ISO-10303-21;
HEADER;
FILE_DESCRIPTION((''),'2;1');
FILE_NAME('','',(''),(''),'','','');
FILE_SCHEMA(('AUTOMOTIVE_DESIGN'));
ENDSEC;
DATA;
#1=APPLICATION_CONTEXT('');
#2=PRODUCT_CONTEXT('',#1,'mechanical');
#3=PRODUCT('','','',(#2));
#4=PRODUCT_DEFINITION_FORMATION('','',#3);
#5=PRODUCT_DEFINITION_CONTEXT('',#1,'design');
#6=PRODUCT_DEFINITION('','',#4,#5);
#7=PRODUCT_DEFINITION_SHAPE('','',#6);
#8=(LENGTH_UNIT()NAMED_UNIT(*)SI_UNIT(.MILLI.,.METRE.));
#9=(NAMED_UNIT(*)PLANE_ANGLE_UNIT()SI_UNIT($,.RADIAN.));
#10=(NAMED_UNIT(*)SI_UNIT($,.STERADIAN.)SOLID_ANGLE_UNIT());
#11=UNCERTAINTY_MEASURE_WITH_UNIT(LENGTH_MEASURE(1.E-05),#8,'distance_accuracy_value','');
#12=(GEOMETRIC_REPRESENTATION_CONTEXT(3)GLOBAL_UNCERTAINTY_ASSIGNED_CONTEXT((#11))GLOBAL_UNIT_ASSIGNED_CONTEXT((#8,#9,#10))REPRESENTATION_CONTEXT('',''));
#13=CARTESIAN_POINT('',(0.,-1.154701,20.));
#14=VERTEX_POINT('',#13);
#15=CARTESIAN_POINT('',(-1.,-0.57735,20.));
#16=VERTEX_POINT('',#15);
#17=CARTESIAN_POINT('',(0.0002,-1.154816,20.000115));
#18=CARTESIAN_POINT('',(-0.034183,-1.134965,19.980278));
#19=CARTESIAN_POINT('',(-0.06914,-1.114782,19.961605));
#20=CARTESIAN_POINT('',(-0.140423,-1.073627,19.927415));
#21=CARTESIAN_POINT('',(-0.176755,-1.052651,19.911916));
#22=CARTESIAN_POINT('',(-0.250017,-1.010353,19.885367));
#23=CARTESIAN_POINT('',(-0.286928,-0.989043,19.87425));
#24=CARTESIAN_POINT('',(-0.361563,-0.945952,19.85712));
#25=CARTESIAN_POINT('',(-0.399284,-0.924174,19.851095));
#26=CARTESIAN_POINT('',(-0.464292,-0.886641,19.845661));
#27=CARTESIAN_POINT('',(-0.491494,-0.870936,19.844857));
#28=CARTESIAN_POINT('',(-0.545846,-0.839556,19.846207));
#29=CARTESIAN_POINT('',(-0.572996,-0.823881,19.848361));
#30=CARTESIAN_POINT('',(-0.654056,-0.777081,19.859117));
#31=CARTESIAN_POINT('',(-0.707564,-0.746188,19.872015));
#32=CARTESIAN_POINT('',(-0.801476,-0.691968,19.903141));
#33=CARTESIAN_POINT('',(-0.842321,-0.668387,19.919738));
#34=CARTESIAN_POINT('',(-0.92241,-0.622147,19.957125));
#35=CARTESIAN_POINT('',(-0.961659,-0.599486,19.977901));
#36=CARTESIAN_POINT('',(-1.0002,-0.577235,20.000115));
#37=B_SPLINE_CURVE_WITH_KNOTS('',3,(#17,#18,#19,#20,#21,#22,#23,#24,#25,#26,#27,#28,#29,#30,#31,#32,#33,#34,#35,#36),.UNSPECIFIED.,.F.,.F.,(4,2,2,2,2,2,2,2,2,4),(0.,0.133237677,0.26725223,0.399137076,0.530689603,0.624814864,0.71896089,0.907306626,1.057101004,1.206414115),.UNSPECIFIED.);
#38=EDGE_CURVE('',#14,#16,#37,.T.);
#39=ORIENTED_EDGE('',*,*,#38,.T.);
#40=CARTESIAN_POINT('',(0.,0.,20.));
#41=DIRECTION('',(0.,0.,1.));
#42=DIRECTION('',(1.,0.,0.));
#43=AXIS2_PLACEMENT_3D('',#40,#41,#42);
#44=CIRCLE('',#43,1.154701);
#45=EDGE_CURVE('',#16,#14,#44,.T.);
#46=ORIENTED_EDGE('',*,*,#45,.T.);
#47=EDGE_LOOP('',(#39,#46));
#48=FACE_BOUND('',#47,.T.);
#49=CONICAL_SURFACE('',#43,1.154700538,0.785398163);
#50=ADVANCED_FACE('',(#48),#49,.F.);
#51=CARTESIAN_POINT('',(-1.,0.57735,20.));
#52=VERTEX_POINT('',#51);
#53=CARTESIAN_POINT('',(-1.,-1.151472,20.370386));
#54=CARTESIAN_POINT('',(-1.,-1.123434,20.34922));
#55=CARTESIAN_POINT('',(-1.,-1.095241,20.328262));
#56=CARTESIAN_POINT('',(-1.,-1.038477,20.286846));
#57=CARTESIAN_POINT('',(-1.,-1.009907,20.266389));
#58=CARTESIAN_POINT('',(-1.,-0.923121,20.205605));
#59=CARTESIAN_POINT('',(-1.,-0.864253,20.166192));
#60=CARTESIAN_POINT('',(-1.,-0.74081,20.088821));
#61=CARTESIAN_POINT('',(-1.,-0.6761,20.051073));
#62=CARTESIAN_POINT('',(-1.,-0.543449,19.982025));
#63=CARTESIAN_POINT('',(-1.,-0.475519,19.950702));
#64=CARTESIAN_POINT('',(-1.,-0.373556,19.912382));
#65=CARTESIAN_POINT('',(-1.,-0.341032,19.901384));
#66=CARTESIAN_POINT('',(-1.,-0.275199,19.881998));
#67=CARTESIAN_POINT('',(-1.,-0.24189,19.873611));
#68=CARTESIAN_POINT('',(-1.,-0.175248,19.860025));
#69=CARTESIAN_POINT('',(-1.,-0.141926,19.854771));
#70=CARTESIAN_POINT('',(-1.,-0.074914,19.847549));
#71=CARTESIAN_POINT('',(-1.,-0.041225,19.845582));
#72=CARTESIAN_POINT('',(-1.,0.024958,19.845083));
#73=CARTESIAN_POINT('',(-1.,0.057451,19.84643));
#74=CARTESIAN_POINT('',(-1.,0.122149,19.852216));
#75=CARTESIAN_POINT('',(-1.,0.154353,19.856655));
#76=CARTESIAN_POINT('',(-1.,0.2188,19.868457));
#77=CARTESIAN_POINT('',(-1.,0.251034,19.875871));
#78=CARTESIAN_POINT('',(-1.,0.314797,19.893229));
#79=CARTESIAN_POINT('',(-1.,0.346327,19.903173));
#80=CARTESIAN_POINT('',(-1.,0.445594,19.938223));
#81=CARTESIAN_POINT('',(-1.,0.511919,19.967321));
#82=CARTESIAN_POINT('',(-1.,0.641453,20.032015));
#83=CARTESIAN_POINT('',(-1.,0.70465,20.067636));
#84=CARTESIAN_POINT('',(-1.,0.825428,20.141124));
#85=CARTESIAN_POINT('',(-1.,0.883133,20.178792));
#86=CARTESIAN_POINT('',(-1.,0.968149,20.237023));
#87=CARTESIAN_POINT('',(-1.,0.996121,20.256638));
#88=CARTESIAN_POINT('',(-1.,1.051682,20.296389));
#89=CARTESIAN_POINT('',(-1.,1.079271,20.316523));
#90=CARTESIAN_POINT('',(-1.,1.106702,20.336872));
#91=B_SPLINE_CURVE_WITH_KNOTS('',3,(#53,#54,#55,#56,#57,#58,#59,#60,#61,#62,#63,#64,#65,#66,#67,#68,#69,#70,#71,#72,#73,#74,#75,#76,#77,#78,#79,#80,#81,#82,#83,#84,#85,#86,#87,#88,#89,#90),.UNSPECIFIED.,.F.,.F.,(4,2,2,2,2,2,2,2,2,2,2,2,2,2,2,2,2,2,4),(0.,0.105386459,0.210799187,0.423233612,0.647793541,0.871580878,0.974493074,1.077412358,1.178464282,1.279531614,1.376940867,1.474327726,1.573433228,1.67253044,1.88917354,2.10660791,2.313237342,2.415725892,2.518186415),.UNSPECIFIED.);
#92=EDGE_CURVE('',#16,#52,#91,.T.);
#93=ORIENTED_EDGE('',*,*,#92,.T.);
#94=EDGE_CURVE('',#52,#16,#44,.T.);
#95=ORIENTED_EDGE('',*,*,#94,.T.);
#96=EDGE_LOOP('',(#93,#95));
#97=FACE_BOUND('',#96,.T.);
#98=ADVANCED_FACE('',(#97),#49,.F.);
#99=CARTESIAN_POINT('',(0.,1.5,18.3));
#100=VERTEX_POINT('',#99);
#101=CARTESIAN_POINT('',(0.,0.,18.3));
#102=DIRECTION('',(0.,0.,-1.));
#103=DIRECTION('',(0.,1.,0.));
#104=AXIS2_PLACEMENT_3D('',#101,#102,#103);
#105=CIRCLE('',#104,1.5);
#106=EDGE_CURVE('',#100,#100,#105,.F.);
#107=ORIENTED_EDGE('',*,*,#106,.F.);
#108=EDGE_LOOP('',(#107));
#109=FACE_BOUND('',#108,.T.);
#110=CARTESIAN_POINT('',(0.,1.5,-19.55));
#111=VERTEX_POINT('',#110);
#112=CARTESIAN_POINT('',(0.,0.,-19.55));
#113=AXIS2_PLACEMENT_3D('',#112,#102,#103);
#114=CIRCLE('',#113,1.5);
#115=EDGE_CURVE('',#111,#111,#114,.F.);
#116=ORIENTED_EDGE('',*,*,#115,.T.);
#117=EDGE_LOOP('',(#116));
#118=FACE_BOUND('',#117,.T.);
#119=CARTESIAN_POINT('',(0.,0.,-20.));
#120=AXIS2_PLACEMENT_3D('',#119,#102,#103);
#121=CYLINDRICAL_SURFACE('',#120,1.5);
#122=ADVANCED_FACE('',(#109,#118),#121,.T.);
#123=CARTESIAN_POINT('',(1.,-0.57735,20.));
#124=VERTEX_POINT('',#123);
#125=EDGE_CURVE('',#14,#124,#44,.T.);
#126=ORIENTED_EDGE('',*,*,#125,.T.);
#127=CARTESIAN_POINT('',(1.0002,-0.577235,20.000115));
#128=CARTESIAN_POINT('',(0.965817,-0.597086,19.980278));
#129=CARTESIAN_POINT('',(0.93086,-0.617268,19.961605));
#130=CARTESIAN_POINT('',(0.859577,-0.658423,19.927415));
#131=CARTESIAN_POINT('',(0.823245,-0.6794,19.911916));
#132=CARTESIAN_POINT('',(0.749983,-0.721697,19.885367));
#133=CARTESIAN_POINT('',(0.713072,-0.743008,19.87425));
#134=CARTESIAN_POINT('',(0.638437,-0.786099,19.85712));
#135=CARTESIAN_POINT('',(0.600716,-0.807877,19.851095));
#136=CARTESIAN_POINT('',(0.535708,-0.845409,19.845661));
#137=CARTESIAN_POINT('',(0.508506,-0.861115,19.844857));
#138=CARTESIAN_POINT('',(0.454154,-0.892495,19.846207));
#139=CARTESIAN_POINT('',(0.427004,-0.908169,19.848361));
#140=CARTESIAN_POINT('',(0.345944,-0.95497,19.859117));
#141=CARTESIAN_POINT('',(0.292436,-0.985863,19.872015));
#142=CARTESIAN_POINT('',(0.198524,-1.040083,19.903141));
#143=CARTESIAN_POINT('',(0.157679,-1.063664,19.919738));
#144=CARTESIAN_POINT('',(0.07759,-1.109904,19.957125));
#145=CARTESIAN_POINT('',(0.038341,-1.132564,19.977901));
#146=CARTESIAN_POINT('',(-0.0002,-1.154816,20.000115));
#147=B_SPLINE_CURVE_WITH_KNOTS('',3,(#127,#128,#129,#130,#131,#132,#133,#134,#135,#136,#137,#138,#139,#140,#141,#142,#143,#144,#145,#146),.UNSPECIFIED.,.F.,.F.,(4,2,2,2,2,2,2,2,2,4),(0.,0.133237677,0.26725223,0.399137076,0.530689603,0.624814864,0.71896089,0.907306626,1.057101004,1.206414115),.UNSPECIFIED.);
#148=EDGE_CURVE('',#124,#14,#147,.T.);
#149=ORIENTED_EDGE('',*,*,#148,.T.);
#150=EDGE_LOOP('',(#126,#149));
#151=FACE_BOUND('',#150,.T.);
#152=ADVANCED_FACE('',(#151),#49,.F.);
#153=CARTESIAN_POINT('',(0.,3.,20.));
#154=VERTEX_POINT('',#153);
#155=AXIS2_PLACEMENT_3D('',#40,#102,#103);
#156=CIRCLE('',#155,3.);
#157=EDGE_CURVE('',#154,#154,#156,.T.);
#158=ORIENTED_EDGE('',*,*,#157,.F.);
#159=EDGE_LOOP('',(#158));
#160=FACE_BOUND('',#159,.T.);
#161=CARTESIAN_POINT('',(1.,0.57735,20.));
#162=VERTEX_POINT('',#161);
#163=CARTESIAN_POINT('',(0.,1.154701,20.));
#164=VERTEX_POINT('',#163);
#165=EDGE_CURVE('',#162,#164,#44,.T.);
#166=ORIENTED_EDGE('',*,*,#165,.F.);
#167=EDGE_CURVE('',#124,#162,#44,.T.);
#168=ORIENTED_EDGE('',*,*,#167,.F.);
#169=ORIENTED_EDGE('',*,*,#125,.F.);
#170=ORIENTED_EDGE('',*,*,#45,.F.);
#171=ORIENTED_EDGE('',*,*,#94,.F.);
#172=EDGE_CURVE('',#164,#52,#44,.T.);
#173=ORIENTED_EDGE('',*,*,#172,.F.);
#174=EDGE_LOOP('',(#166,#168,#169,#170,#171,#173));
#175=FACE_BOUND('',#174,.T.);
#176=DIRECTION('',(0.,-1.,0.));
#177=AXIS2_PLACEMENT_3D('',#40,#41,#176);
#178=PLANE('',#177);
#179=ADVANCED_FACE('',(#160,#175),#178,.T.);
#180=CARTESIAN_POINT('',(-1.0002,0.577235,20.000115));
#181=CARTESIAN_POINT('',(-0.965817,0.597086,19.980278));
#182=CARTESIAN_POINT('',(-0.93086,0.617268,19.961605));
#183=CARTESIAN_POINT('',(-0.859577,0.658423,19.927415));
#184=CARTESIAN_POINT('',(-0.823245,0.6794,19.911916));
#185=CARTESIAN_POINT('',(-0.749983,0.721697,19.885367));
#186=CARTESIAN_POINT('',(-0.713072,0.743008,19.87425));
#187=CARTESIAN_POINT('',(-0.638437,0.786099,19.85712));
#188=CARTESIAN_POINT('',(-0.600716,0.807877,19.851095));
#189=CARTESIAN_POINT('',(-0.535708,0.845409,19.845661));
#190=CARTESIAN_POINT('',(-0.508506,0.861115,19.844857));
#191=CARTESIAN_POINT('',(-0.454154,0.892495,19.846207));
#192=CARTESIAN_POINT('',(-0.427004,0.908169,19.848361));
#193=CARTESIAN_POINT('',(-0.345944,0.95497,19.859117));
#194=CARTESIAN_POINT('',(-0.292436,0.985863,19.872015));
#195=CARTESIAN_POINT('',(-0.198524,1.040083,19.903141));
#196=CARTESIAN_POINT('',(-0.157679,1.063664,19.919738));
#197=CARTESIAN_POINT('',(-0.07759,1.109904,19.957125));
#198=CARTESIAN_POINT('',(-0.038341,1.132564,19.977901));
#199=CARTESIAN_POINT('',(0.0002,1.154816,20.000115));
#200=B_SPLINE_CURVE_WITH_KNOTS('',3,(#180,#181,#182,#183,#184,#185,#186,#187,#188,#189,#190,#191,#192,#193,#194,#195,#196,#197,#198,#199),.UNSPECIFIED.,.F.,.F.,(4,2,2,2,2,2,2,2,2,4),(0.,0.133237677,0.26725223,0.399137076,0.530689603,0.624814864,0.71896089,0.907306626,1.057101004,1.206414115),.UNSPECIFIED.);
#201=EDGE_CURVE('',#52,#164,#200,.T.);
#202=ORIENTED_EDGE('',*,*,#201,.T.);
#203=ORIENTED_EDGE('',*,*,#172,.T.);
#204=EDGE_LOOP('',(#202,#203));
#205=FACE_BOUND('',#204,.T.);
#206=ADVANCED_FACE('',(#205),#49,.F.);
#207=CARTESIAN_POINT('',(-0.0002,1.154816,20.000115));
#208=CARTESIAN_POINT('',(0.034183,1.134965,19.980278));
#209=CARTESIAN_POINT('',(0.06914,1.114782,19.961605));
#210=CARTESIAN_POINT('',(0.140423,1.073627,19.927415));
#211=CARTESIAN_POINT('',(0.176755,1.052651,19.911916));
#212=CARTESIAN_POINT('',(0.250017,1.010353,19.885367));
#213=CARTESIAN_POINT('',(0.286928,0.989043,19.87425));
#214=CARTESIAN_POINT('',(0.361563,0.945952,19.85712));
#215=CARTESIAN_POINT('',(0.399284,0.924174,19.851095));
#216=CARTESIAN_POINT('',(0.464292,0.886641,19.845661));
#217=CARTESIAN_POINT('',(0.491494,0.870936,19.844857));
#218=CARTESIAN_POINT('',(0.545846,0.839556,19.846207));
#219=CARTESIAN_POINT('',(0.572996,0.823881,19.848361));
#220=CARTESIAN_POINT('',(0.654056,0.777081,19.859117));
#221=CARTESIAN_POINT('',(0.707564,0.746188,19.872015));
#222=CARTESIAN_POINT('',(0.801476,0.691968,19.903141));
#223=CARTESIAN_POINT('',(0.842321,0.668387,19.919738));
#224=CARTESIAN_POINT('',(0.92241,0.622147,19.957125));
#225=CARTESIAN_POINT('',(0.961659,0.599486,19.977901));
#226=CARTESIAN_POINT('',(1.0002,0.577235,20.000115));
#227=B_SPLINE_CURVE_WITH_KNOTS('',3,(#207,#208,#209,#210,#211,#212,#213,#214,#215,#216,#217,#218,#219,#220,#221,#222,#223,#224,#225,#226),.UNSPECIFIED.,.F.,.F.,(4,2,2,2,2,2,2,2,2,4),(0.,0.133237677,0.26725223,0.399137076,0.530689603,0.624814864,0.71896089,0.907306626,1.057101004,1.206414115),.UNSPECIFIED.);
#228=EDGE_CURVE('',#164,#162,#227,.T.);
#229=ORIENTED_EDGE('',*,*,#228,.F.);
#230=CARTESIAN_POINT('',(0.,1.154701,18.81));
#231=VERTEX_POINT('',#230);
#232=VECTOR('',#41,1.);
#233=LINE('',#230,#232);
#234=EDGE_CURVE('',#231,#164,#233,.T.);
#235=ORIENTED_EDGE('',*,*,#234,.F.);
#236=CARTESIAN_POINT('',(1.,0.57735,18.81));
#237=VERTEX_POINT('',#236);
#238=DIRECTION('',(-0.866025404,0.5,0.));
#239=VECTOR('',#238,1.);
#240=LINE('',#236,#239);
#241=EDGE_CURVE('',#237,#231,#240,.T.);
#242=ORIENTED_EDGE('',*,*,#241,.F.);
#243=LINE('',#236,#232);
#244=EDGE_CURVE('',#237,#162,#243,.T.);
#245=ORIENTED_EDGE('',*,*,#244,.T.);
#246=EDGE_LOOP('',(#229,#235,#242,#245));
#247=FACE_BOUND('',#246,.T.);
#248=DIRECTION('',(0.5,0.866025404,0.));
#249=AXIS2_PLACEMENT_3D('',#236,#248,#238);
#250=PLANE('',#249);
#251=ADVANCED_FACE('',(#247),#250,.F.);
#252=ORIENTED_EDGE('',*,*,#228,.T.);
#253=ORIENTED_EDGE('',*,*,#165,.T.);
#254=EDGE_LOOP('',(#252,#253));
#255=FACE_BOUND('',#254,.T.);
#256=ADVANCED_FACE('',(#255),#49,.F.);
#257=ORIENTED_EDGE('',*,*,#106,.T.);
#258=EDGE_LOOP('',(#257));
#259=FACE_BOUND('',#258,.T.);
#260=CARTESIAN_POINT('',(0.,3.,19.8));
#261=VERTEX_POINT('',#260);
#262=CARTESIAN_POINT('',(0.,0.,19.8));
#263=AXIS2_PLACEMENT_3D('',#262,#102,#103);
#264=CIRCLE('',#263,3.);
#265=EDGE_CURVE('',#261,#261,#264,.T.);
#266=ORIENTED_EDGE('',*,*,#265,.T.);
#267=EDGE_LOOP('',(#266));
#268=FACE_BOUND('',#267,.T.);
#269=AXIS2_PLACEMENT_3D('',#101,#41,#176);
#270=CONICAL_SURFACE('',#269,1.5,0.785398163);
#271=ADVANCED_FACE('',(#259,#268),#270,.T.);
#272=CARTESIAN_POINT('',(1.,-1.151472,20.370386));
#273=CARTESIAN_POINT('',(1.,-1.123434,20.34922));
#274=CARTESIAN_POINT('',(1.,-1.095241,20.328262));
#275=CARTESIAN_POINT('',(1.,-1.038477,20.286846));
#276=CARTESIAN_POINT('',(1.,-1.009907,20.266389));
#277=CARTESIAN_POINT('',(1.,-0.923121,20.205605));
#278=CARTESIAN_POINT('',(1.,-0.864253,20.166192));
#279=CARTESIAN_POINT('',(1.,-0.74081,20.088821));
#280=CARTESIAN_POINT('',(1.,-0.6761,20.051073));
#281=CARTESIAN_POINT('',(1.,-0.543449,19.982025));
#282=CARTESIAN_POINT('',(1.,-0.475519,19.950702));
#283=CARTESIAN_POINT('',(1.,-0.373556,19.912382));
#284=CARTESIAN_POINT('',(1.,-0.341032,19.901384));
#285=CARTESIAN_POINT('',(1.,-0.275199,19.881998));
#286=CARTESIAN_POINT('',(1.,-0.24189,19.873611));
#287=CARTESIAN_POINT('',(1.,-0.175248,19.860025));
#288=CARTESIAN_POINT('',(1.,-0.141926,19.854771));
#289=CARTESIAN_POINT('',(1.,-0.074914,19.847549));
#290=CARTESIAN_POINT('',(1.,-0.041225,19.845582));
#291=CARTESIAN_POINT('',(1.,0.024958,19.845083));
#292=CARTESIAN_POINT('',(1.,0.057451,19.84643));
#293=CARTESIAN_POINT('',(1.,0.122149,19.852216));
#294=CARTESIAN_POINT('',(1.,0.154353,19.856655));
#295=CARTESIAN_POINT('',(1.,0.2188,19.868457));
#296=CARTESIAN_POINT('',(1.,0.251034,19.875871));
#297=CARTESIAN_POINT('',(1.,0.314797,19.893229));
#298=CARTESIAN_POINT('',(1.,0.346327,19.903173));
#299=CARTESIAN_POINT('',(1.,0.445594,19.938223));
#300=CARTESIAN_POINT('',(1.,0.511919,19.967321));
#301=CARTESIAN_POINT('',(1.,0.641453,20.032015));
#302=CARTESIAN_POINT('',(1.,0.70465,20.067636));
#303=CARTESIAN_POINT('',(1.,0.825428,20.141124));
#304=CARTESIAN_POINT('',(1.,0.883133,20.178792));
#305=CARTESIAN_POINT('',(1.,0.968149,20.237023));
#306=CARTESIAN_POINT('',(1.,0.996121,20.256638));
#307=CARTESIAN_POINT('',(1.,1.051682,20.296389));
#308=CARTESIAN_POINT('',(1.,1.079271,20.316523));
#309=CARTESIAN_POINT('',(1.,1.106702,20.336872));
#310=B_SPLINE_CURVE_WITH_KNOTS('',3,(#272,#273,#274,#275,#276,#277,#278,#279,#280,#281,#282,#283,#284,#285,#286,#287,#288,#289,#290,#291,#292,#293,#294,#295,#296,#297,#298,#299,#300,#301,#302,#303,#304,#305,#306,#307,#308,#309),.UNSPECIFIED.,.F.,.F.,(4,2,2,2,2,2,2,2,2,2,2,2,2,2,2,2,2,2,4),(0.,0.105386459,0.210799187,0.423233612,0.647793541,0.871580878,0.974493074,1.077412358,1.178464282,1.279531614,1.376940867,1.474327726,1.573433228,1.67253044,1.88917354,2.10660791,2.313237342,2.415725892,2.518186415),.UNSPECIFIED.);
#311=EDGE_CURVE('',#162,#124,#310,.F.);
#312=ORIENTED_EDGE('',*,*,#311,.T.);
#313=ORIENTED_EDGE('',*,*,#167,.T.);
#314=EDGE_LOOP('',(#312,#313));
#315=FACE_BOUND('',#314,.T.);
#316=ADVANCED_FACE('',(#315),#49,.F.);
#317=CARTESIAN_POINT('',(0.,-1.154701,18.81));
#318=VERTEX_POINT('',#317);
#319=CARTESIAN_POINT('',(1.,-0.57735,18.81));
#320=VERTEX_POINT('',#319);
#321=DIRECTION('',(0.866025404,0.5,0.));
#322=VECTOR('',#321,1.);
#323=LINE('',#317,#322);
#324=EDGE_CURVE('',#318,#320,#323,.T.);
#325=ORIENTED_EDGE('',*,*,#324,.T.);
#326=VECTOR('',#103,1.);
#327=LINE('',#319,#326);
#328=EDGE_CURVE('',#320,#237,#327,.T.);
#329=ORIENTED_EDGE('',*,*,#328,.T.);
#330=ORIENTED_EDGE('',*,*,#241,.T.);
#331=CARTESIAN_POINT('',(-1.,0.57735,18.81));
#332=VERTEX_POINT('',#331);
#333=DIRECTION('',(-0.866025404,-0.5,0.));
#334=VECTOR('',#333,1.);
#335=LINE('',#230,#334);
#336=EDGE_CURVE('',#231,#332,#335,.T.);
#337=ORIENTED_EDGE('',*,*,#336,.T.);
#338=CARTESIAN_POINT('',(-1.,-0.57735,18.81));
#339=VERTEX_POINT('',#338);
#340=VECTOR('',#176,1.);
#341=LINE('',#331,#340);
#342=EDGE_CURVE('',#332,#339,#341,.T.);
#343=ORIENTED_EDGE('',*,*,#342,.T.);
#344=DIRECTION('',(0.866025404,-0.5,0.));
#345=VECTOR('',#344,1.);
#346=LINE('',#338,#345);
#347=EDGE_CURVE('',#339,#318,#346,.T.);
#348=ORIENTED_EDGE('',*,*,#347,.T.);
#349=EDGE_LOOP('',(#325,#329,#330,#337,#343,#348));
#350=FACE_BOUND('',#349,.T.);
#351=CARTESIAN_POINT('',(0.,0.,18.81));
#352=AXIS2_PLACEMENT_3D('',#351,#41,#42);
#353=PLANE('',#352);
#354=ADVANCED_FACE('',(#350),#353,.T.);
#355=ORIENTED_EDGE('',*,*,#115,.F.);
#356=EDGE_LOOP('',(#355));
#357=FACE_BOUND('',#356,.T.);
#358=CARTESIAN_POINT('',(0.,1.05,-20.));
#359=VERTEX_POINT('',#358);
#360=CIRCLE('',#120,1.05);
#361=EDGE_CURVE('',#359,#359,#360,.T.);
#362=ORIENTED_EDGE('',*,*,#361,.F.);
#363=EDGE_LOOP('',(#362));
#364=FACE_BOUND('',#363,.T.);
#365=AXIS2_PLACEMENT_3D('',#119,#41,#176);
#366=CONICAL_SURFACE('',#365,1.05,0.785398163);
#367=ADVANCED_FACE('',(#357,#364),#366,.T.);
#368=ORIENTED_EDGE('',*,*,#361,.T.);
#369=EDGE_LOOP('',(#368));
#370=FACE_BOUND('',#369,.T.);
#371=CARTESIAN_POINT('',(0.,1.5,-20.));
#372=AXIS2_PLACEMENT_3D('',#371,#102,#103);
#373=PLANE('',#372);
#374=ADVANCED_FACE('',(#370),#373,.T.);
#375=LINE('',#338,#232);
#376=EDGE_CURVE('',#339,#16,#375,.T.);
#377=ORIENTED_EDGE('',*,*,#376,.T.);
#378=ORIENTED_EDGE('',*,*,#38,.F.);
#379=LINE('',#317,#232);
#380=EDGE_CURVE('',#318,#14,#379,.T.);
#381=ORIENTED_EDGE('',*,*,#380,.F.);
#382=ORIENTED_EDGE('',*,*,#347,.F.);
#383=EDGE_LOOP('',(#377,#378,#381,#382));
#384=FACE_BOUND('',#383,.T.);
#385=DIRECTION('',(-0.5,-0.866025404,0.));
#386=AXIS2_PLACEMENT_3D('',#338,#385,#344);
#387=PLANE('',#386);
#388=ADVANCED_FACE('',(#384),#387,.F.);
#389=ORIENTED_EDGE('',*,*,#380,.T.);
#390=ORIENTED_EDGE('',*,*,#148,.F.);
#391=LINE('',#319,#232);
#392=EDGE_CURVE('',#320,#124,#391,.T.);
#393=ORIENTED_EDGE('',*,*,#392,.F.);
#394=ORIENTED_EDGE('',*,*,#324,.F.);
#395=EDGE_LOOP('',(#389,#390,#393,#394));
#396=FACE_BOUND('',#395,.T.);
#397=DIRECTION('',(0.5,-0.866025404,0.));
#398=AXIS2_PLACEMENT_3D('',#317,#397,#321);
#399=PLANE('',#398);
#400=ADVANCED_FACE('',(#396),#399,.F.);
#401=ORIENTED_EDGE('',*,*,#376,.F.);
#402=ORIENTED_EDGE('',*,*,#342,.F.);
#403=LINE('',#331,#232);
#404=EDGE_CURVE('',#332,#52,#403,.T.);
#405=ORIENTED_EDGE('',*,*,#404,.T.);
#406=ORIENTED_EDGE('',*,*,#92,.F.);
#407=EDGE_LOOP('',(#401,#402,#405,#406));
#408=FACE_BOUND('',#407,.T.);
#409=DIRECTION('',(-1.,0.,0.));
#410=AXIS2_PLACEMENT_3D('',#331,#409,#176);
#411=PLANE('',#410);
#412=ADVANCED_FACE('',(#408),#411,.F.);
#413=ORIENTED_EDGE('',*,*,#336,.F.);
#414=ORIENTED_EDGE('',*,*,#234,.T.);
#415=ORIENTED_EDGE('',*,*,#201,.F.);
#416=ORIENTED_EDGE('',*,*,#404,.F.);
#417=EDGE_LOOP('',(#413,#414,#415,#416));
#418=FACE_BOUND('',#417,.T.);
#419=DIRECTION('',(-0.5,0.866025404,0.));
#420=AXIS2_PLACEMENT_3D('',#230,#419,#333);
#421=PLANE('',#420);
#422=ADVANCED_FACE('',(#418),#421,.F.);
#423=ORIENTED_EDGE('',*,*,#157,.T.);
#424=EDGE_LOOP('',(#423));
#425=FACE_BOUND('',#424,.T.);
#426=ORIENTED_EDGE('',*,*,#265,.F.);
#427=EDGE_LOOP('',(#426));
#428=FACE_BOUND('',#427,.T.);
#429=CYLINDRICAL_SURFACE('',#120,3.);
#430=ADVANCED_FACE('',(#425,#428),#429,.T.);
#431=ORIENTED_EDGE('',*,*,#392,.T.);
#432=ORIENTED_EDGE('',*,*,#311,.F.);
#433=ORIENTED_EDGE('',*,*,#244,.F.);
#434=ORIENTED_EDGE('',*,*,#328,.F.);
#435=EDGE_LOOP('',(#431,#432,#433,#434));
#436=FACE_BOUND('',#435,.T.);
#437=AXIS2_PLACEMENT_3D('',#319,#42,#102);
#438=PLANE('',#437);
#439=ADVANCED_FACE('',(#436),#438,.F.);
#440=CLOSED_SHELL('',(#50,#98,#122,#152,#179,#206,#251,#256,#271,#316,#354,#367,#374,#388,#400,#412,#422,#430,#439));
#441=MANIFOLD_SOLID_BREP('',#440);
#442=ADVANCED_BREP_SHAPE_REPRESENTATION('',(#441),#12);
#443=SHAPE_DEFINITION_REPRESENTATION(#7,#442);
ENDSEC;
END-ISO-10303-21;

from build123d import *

# Parameters (mm, degrees)
SKETCH3_W          = 40
SKETCH3_H          = 1.5
CHAMFER1_SIZE      = 0.45
CUT_EXTRUDE1_DEPTH = 1.19


with BuildPart() as part:
    # Sketch3 → Revolve1 (revolve)
    with BuildSketch(Plane(origin=(0, 0, 0), x_dir=(0, 0, -1), z_dir=(1, 0, 0))):
        with Locations((0, 0.75)):
            Rectangle(SKETCH3_W, SKETCH3_H)
    revolve(axis=Axis((0, 0, -20), (0, 0, 1)))

    # Chamfer1
    chamfer1_edges = [part.edges().sort_by_distance(p)[0] for p in [
        (0, -1.5, -20),
    ]]
    chamfer(chamfer1_edges, length=CHAMFER1_SIZE)

    # Sketch6 → Revolve2 (revolve)
    with BuildSketch(Plane(origin=(0, 0, 0), x_dir=(0, 0, -1), z_dir=(1, 0, 0))):
        Polygon((-20, 3), (-19.8, 3), (-18.3, 1.5), (-18.3, 0), (-20, 0), align=None)
    revolve(axis=Axis((0, 0, -20), (0, 0, 1)))

    # Sketch8 → Cut-Extrude1 (cut)
    with BuildSketch(Plane.XY.offset(20)):
        Polygon((0, 1.154700538), (-1, 0.577350269), (-1, -0.577350269), (0, -1.154700538), (1, -0.577350269), (1, 0.577350269), align=None)
    extrude(amount=-CUT_EXTRUDE1_DEPTH, mode=Mode.SUBTRACT)

    # Cut-Extrude2 cone 1 section (through the dimple's axis) → Cut-Extrude2 (revolve, cut)
    with BuildSketch(Plane(origin=(0, 0, 20), x_dir=(0, -1, 0), z_dir=(1, 0, 0))):
        Polygon((0, 0), (1.154700538, 0), (0, 1.154700538), align=None)
    revolve(axis=Axis((0, 0, 20), (0, 0, -1)), mode=Mode.SUBTRACT)


solid = part.part
